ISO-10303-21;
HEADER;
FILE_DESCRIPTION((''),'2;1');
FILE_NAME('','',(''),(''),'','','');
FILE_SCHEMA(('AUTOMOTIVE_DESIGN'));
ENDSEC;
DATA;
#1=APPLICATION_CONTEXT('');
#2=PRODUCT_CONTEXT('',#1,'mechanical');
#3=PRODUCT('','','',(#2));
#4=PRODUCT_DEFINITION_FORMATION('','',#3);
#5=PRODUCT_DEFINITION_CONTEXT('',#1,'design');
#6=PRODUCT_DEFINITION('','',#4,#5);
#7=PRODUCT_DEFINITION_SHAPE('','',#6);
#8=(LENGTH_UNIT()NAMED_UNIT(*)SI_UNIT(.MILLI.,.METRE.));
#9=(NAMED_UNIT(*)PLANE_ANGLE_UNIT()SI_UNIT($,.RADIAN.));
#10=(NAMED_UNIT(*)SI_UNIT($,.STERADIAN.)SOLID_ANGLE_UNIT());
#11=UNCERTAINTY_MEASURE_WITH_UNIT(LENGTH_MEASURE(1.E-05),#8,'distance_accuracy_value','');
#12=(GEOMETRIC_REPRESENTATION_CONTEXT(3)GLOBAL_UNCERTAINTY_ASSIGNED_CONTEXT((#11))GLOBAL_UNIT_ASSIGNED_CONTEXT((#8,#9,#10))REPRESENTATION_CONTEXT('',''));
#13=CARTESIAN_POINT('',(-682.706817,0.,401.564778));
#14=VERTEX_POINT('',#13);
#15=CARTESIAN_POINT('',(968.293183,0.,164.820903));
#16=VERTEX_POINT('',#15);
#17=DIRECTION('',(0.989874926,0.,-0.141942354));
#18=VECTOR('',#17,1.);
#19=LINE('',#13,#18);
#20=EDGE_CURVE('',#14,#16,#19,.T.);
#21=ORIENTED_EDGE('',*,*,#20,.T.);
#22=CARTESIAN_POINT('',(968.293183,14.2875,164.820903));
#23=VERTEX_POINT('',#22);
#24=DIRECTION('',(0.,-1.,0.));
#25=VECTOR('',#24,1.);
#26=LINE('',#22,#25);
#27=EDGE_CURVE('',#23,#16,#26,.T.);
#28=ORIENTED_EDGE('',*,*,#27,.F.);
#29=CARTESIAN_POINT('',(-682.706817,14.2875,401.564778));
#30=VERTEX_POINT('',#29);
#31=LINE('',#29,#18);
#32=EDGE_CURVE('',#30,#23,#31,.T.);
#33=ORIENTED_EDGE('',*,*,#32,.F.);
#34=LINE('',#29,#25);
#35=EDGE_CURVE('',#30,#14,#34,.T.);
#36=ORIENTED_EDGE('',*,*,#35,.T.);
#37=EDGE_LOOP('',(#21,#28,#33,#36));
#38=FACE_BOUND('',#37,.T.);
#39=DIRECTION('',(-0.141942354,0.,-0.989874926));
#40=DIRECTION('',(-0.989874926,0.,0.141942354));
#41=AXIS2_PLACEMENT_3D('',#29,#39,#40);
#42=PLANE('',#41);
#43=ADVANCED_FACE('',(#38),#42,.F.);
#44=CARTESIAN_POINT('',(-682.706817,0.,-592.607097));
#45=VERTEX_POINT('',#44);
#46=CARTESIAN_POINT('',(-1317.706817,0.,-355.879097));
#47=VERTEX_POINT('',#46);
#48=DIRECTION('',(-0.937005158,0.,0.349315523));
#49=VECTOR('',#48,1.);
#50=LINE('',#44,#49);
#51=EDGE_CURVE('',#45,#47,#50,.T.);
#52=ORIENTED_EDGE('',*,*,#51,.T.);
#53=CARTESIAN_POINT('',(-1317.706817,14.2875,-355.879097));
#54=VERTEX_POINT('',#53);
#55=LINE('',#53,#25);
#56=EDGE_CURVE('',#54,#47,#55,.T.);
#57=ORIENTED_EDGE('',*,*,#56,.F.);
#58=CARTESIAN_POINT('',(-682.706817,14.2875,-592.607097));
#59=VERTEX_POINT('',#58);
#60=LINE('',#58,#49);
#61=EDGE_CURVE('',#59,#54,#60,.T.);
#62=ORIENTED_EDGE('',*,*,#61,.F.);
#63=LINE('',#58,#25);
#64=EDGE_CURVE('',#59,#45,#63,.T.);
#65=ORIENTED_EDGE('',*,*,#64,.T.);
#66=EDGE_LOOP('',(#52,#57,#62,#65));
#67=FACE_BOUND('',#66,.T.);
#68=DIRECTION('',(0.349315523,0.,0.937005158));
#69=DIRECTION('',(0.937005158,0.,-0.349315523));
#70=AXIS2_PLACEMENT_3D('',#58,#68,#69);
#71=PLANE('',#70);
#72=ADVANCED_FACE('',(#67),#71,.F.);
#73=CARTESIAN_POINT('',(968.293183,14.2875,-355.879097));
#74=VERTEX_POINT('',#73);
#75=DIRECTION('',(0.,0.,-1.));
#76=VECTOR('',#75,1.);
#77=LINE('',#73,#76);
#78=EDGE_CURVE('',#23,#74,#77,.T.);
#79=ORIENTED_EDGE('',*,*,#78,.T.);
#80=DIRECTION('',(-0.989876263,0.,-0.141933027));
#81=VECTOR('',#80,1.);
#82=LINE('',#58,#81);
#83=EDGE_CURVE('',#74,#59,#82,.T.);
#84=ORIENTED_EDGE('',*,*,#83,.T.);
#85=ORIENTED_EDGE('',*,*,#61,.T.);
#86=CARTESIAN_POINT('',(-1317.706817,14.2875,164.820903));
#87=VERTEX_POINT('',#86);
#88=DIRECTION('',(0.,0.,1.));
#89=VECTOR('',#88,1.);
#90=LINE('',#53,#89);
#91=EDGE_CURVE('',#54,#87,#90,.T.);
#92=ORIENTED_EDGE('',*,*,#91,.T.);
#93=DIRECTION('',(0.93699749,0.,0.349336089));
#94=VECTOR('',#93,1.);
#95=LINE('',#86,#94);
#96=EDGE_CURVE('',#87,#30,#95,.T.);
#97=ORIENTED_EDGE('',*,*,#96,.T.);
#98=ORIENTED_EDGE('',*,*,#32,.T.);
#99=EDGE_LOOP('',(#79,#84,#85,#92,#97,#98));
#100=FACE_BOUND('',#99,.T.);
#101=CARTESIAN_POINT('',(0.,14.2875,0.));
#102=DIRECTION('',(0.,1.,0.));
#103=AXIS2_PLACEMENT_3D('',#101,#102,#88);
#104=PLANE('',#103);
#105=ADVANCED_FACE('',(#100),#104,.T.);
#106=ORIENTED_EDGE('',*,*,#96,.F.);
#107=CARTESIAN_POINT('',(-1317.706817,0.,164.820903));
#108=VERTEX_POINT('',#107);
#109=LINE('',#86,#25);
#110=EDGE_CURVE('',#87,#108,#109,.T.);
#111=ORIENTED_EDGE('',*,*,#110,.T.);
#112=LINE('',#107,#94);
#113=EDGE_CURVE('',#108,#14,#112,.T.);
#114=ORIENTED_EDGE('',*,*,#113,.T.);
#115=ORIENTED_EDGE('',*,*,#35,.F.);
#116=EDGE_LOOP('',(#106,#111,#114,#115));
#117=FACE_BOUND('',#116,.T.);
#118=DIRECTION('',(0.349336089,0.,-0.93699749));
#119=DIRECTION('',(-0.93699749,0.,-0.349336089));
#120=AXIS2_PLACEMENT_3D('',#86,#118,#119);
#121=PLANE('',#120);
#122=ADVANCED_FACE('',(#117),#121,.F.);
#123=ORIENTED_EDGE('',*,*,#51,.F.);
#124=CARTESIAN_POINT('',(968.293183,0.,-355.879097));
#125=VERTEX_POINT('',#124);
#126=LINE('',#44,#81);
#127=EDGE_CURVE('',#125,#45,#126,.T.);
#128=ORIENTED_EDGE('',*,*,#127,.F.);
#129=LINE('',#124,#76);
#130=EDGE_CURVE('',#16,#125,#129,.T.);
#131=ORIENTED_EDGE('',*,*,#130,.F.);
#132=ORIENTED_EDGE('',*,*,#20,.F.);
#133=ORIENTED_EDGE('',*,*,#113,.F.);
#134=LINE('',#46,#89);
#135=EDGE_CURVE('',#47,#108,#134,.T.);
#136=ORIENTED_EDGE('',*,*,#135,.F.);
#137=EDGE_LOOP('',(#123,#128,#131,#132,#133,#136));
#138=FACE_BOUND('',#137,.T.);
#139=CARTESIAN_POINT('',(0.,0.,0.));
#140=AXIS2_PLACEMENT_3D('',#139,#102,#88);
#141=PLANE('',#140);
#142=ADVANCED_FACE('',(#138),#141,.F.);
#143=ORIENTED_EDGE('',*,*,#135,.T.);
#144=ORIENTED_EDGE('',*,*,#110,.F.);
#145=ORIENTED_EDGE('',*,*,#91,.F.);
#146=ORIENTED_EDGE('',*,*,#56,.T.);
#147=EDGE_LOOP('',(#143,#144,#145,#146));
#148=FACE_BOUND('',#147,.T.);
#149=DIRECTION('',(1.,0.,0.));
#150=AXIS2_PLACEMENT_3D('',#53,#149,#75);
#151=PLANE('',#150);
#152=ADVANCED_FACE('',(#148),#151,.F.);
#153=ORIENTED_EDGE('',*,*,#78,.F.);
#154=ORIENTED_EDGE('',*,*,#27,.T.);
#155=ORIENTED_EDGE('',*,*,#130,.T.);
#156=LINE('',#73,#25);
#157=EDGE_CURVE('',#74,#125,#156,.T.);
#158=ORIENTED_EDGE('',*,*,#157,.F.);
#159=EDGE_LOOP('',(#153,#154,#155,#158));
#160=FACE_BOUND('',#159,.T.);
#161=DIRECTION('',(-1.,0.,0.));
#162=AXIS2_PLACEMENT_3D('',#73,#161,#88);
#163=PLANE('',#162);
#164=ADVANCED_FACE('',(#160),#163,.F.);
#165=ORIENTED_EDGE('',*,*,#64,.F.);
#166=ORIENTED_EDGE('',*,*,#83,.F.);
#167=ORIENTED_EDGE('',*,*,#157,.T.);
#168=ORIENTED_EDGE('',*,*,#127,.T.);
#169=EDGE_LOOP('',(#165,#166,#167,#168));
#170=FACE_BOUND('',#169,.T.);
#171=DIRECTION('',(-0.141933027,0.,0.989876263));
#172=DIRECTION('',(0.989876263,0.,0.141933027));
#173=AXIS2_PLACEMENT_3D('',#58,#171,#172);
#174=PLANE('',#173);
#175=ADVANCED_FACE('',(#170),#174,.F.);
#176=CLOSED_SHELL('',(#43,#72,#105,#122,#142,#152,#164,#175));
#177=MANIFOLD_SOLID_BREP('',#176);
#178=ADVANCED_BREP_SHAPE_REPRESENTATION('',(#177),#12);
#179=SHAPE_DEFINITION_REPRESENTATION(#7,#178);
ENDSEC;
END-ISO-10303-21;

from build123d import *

# Parameters (mm, degrees)
BOSS_EXTRUDE1_DEPTH = 14.2875


with BuildPart() as part:
    # Sketch1 → Boss-Extrude1 (new body)
    with BuildSketch(Plane(origin=(0, 0, 0), x_dir=(1, 0, 0), z_dir=(0, 1, 0))):
        Polygon((-1317.706817207, 355.879097463), (-1317.706817207, -164.820902537), (-682.706817207, -401.564777537), (968.293182793, -164.820902537), (968.293182793, 355.879097463), (-682.706817207, 592.607097463), align=None)
    extrude(amount=BOSS_EXTRUDE1_DEPTH)


solid = part.part
